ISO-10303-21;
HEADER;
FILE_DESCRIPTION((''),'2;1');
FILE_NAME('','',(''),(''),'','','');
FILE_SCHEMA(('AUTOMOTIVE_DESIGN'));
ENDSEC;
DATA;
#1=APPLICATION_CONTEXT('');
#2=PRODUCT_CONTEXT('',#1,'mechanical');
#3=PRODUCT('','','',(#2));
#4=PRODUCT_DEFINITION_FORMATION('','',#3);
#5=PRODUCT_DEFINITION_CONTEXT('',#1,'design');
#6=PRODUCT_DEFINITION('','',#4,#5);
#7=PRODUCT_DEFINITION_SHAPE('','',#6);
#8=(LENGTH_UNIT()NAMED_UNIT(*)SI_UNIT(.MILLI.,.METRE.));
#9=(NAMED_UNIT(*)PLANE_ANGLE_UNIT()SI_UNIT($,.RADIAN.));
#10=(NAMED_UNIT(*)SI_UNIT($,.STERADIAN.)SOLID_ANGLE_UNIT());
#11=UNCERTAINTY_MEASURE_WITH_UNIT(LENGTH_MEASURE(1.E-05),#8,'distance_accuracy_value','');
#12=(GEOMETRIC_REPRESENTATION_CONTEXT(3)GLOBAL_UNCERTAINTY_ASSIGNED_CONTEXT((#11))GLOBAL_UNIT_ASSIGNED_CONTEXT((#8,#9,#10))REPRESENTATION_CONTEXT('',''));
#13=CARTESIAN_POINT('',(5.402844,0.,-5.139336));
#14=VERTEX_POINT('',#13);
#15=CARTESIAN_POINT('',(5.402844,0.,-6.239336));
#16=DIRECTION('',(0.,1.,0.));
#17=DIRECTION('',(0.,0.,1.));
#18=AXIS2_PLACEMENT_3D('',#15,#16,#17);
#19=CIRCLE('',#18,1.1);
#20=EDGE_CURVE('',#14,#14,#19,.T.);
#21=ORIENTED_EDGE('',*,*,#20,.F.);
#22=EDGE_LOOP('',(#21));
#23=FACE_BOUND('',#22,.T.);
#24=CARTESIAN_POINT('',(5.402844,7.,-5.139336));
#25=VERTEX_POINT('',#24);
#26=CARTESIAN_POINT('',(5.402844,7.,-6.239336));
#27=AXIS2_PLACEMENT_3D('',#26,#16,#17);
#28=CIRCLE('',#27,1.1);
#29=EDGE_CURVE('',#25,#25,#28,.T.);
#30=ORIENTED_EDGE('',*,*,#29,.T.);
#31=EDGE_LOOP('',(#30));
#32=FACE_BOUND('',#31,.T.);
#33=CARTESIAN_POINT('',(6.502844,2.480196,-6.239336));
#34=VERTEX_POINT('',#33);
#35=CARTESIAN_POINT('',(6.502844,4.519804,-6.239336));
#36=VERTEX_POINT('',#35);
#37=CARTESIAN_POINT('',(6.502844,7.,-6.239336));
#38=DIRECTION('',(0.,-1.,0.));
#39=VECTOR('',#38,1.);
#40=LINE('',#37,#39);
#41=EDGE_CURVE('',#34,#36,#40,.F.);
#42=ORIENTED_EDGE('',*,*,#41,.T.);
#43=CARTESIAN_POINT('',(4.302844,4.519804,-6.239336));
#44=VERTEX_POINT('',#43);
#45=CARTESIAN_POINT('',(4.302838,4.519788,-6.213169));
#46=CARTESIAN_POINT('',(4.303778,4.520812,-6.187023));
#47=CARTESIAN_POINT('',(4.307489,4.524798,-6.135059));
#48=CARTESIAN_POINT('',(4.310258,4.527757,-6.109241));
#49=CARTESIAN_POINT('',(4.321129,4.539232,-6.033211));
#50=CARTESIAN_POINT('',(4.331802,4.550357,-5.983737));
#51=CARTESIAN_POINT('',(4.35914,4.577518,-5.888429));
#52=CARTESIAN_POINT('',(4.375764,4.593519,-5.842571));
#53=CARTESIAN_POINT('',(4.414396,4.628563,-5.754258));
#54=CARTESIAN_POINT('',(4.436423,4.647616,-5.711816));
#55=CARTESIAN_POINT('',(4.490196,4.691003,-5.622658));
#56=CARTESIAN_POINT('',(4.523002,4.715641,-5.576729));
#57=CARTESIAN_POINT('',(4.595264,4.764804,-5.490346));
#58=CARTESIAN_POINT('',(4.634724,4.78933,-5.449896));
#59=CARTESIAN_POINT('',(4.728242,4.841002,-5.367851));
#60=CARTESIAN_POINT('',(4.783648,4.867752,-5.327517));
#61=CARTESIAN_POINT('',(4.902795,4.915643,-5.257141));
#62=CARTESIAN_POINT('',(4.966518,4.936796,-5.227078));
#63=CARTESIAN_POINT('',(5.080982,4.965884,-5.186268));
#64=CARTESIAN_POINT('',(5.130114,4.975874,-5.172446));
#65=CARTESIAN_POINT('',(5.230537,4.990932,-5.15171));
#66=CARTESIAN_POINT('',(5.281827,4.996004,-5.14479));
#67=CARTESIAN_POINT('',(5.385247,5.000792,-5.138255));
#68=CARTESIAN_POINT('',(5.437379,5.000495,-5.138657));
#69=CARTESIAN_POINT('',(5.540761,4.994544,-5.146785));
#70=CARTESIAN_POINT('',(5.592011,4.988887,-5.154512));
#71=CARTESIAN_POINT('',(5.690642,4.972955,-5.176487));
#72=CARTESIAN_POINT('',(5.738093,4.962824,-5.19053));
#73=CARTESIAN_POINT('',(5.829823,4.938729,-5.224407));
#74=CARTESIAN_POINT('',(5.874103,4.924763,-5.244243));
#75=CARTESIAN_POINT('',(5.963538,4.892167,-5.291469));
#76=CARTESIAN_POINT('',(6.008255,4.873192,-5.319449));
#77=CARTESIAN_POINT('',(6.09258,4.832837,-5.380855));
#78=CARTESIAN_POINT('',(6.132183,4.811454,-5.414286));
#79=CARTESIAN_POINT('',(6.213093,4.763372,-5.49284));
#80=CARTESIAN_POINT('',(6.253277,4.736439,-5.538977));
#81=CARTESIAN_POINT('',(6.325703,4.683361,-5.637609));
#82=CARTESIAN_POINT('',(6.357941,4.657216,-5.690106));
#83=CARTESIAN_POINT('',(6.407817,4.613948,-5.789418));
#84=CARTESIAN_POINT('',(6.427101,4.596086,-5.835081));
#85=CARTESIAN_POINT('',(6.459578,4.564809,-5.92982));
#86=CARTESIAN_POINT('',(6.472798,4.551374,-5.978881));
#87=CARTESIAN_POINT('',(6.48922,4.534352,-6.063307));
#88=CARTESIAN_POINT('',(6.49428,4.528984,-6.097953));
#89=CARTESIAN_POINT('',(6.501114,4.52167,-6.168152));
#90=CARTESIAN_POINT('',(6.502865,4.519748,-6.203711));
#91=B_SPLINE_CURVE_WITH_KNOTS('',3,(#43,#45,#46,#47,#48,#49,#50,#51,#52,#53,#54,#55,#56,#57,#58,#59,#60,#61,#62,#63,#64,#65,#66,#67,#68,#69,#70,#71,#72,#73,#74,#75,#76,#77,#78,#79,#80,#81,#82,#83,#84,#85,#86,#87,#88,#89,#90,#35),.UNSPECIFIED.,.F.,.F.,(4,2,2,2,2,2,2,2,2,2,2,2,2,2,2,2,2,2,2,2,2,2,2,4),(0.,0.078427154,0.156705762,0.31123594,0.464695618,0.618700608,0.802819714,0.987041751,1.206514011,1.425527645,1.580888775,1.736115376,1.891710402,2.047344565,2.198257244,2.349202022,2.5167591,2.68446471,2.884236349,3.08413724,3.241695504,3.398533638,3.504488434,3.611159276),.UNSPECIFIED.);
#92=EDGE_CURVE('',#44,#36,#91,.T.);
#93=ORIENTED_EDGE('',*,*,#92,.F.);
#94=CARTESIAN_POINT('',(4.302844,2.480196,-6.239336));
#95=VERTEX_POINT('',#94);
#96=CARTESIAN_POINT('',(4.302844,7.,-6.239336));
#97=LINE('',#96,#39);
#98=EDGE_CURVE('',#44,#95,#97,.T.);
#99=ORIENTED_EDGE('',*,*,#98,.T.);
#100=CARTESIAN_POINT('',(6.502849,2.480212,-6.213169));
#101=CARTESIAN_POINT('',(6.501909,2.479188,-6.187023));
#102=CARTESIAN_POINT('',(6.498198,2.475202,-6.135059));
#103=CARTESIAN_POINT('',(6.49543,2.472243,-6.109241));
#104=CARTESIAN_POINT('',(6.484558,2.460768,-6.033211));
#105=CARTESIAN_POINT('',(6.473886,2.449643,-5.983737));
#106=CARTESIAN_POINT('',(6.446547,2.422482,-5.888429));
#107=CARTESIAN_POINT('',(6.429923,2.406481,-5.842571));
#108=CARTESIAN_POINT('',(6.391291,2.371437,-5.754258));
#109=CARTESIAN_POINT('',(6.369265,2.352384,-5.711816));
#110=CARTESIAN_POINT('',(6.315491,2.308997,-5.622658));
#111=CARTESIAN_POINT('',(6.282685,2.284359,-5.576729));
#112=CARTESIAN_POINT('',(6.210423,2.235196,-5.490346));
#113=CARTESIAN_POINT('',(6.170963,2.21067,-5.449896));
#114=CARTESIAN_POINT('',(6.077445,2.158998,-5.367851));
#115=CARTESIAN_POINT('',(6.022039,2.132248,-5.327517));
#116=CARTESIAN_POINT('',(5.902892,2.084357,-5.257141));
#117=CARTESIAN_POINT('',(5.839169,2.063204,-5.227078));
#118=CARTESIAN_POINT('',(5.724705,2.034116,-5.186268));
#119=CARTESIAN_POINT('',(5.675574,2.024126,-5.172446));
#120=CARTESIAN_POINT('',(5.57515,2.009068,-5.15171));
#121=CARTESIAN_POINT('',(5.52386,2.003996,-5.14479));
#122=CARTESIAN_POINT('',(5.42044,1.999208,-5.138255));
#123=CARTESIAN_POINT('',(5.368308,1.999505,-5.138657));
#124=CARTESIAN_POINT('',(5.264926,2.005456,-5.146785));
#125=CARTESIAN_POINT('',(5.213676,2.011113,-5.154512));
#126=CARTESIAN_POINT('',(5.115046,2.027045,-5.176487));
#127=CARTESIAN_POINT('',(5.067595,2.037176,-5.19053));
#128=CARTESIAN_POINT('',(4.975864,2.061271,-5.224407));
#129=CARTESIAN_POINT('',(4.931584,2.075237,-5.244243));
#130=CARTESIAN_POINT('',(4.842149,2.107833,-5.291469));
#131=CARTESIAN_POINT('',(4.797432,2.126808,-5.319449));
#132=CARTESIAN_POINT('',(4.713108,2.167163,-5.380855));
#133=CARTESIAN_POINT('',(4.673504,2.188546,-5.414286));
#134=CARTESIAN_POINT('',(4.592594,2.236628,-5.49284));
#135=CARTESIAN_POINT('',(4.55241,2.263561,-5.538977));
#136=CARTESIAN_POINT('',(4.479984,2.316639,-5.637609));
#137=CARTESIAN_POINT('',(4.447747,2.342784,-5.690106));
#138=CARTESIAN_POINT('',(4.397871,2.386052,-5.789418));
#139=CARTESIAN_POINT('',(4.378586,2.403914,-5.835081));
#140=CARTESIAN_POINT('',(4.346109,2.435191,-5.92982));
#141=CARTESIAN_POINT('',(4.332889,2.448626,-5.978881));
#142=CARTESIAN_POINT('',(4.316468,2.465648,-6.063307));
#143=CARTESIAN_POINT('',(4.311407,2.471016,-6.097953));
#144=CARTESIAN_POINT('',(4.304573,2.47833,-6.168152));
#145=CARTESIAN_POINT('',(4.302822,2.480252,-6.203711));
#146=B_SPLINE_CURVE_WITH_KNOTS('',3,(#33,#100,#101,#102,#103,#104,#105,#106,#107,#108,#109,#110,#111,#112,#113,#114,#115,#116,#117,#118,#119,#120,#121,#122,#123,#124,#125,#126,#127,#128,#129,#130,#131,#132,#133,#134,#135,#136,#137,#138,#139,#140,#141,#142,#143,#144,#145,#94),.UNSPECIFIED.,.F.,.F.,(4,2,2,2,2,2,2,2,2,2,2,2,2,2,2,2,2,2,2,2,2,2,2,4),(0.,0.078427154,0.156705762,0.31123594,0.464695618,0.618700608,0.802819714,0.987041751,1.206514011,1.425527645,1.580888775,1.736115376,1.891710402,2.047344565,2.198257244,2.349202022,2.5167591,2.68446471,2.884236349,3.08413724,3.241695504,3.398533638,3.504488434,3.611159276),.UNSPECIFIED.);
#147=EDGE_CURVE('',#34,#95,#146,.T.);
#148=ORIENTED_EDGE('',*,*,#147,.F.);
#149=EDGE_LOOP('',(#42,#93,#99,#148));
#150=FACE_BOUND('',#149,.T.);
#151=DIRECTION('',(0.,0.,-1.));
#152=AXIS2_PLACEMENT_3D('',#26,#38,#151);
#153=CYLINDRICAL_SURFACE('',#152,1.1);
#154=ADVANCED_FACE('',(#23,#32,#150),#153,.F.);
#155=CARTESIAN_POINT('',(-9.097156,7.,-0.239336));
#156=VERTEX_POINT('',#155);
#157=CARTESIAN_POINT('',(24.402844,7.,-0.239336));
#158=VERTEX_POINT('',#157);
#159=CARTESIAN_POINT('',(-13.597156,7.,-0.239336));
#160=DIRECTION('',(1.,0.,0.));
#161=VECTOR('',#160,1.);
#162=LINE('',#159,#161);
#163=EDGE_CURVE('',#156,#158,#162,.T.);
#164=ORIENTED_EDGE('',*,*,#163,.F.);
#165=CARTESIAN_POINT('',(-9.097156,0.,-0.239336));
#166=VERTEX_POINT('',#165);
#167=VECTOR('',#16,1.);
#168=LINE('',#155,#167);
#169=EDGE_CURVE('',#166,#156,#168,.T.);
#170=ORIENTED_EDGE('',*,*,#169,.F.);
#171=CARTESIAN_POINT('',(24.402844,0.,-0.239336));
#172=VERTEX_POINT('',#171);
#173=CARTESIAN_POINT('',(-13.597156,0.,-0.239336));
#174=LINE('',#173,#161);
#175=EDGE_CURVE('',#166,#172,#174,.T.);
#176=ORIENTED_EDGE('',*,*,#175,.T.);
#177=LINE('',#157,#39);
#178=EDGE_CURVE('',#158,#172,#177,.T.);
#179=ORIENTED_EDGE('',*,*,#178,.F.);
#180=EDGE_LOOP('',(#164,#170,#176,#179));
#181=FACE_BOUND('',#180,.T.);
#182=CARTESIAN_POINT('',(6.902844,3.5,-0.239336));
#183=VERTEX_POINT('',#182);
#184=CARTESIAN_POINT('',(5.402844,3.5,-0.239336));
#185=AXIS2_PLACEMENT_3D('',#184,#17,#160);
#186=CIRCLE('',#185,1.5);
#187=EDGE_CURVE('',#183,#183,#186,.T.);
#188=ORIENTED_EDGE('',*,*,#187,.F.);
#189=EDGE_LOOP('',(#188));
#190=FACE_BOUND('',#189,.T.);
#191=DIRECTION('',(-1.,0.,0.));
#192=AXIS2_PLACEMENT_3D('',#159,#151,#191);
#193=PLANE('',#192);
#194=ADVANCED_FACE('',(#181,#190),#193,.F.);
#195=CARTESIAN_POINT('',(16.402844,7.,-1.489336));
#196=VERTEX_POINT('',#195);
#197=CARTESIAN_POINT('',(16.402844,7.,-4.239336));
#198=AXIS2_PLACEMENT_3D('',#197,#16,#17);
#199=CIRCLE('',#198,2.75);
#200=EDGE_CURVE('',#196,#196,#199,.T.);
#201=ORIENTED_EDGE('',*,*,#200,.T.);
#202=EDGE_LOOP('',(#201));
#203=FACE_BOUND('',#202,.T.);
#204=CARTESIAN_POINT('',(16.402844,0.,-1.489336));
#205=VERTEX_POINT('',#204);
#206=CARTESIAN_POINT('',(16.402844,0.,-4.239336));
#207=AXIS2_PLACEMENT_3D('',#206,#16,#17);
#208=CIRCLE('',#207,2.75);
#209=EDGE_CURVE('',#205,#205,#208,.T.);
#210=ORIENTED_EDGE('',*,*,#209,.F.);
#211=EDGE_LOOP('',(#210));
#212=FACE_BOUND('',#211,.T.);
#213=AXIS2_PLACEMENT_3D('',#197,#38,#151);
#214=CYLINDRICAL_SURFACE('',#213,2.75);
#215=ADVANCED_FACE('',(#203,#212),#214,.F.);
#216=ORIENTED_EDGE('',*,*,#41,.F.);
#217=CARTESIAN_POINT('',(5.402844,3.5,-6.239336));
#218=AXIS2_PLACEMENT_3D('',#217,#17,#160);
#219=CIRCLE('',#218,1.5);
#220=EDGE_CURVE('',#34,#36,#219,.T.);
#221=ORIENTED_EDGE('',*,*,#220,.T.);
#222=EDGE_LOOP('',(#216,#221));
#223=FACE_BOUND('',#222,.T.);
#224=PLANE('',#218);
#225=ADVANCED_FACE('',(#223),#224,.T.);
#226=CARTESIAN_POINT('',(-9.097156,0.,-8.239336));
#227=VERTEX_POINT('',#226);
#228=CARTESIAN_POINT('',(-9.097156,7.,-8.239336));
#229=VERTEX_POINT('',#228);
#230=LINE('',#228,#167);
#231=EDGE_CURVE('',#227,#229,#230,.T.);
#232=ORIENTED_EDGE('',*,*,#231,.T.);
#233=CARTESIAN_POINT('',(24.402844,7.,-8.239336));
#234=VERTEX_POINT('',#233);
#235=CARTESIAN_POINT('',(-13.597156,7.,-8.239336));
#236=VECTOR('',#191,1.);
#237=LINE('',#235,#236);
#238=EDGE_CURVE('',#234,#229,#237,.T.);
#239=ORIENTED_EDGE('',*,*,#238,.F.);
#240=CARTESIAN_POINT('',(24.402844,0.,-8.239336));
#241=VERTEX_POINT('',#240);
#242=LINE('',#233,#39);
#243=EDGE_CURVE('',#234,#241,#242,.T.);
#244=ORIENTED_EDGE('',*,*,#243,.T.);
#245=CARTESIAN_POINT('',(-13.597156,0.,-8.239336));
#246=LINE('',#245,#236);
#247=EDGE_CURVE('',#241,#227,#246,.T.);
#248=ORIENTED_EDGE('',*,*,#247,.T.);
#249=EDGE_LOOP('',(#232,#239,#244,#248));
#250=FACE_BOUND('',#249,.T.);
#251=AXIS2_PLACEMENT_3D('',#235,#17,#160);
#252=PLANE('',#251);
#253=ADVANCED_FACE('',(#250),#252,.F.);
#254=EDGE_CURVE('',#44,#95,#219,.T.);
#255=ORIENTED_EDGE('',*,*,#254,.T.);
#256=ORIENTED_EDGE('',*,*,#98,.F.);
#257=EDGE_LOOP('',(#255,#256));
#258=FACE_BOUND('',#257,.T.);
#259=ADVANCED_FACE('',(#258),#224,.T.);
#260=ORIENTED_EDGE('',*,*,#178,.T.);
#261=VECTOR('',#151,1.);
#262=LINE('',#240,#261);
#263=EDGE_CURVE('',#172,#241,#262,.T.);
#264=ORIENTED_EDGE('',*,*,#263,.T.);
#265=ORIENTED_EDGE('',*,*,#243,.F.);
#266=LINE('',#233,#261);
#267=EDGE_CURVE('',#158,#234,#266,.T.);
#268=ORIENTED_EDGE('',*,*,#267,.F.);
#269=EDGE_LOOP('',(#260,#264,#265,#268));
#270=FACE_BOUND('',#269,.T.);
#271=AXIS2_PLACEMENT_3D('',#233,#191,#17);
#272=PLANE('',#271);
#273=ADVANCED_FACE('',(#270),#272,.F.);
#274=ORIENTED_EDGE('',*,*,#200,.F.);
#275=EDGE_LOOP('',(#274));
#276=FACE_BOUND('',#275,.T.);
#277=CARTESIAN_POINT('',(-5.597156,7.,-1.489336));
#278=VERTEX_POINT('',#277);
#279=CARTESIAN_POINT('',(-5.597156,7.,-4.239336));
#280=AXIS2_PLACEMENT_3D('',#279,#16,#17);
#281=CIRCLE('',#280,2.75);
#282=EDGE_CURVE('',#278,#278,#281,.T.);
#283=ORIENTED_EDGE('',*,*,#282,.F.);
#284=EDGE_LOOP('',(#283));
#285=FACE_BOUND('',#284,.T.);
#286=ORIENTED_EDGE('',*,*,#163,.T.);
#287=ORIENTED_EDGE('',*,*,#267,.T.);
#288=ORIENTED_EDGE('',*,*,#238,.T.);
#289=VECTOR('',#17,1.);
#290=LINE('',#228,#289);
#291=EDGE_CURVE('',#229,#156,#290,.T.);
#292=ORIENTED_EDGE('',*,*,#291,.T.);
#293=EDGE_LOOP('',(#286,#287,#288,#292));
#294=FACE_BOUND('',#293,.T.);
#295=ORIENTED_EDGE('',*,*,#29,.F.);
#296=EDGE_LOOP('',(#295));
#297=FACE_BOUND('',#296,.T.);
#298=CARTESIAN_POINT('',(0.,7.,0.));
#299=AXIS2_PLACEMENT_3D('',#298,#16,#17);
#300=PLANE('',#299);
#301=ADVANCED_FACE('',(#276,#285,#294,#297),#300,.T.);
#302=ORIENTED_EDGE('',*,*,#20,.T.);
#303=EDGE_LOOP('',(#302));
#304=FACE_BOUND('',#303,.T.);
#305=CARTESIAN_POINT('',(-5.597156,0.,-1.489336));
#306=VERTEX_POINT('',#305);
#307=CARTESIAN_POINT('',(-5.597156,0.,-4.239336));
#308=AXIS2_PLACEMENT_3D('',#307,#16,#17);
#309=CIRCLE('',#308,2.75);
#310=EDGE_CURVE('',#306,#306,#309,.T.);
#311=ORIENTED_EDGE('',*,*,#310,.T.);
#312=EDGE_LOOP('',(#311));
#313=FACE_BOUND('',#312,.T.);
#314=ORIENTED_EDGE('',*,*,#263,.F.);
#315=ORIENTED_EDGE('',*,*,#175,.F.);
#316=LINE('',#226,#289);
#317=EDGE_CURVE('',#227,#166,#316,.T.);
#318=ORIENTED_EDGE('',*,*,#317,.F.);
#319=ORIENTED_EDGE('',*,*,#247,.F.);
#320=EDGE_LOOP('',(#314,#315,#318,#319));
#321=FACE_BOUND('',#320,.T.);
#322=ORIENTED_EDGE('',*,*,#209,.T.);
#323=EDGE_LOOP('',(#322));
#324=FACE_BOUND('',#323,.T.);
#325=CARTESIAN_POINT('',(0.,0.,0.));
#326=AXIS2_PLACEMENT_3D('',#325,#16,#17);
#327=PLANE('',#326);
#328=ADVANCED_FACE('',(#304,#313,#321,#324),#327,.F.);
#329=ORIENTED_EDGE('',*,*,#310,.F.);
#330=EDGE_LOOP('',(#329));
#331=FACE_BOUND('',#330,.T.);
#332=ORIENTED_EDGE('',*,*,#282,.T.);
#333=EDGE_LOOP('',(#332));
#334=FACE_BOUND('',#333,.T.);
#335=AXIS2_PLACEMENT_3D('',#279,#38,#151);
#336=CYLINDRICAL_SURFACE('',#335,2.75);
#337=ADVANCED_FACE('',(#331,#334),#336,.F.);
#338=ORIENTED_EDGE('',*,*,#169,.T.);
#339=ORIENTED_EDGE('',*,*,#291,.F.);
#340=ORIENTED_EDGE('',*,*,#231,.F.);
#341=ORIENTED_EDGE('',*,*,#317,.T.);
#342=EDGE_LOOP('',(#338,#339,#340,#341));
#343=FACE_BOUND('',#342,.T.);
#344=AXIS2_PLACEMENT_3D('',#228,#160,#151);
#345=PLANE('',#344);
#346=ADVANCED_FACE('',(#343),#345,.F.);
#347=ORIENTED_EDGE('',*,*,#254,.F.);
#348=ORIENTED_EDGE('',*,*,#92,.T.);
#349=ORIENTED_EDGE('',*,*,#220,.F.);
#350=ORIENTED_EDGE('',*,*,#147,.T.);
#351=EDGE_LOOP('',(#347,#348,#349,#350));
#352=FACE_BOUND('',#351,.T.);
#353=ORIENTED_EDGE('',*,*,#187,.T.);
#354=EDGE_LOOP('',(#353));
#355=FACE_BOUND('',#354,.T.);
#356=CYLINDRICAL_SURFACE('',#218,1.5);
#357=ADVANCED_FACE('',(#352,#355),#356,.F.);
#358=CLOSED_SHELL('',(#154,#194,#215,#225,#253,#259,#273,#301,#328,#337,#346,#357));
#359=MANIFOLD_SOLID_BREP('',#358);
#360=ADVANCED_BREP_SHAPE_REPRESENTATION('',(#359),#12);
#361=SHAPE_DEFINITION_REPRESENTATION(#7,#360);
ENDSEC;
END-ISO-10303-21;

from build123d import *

# Parameters (mm, degrees)
SKETCH_1_W          = 38
SKETCH_1_H          = 8
SKETCH_1_R          = 2.75
SKETCH_1_R_2        = 1.1
EXTRUDE_1_DEPTH     = 7
SKETCH_2_W          = 4.5
SKETCH_2_H          = 7
CUT_EXTRUDE_1_DEPTH = 27.617640313
SKETCH_4_R          = 1.5
CUT_EXTRUDE_2_DEPTH = 6


with BuildPart() as part:
    # 草图1 → 凸台-拉伸1 (new body)
    with BuildSketch(Plane(origin=(0, 0, 0), x_dir=(1, 0, 0), z_dir=(0, 1, 0))):
        with Locations((5.402843602, 4.239336493)):
            Rectangle(SKETCH_1_W, SKETCH_1_H)
        with Locations(Location((-5.597156398, 4.239336493, 0), (0, 0, 270))):
            Circle(SKETCH_1_R, mode=Mode.SUBTRACT)
        with Locations(Location((16.402843602, 4.239336493, 0), (0, 0, 270))):
            Circle(SKETCH_1_R, mode=Mode.SUBTRACT)
        with Locations(Location((5.402843602, 6.239336493, 0), (0, 0, 270))):
            Circle(SKETCH_1_R_2, mode=Mode.SUBTRACT)
    extrude(amount=EXTRUDE_1_DEPTH)

    # 草图2 → 切除-拉伸1 (cut, through all)
    with BuildSketch(Plane.XY.offset(-0.239336493)):
        with Locations((-11.347156398, 3.5)):
            Rectangle(SKETCH_2_W, SKETCH_2_H)
    extrude(amount=-CUT_EXTRUDE_1_DEPTH, mode=Mode.SUBTRACT)

    # 草图4 → 切除-拉伸2 (cut)
    with BuildSketch(Plane.XY.offset(-0.239336493)):
        with Locations((5.402843602, 3.5)):
            Circle(SKETCH_4_R)
    extrude(amount=-CUT_EXTRUDE_2_DEPTH, mode=Mode.SUBTRACT)


solid = part.part
